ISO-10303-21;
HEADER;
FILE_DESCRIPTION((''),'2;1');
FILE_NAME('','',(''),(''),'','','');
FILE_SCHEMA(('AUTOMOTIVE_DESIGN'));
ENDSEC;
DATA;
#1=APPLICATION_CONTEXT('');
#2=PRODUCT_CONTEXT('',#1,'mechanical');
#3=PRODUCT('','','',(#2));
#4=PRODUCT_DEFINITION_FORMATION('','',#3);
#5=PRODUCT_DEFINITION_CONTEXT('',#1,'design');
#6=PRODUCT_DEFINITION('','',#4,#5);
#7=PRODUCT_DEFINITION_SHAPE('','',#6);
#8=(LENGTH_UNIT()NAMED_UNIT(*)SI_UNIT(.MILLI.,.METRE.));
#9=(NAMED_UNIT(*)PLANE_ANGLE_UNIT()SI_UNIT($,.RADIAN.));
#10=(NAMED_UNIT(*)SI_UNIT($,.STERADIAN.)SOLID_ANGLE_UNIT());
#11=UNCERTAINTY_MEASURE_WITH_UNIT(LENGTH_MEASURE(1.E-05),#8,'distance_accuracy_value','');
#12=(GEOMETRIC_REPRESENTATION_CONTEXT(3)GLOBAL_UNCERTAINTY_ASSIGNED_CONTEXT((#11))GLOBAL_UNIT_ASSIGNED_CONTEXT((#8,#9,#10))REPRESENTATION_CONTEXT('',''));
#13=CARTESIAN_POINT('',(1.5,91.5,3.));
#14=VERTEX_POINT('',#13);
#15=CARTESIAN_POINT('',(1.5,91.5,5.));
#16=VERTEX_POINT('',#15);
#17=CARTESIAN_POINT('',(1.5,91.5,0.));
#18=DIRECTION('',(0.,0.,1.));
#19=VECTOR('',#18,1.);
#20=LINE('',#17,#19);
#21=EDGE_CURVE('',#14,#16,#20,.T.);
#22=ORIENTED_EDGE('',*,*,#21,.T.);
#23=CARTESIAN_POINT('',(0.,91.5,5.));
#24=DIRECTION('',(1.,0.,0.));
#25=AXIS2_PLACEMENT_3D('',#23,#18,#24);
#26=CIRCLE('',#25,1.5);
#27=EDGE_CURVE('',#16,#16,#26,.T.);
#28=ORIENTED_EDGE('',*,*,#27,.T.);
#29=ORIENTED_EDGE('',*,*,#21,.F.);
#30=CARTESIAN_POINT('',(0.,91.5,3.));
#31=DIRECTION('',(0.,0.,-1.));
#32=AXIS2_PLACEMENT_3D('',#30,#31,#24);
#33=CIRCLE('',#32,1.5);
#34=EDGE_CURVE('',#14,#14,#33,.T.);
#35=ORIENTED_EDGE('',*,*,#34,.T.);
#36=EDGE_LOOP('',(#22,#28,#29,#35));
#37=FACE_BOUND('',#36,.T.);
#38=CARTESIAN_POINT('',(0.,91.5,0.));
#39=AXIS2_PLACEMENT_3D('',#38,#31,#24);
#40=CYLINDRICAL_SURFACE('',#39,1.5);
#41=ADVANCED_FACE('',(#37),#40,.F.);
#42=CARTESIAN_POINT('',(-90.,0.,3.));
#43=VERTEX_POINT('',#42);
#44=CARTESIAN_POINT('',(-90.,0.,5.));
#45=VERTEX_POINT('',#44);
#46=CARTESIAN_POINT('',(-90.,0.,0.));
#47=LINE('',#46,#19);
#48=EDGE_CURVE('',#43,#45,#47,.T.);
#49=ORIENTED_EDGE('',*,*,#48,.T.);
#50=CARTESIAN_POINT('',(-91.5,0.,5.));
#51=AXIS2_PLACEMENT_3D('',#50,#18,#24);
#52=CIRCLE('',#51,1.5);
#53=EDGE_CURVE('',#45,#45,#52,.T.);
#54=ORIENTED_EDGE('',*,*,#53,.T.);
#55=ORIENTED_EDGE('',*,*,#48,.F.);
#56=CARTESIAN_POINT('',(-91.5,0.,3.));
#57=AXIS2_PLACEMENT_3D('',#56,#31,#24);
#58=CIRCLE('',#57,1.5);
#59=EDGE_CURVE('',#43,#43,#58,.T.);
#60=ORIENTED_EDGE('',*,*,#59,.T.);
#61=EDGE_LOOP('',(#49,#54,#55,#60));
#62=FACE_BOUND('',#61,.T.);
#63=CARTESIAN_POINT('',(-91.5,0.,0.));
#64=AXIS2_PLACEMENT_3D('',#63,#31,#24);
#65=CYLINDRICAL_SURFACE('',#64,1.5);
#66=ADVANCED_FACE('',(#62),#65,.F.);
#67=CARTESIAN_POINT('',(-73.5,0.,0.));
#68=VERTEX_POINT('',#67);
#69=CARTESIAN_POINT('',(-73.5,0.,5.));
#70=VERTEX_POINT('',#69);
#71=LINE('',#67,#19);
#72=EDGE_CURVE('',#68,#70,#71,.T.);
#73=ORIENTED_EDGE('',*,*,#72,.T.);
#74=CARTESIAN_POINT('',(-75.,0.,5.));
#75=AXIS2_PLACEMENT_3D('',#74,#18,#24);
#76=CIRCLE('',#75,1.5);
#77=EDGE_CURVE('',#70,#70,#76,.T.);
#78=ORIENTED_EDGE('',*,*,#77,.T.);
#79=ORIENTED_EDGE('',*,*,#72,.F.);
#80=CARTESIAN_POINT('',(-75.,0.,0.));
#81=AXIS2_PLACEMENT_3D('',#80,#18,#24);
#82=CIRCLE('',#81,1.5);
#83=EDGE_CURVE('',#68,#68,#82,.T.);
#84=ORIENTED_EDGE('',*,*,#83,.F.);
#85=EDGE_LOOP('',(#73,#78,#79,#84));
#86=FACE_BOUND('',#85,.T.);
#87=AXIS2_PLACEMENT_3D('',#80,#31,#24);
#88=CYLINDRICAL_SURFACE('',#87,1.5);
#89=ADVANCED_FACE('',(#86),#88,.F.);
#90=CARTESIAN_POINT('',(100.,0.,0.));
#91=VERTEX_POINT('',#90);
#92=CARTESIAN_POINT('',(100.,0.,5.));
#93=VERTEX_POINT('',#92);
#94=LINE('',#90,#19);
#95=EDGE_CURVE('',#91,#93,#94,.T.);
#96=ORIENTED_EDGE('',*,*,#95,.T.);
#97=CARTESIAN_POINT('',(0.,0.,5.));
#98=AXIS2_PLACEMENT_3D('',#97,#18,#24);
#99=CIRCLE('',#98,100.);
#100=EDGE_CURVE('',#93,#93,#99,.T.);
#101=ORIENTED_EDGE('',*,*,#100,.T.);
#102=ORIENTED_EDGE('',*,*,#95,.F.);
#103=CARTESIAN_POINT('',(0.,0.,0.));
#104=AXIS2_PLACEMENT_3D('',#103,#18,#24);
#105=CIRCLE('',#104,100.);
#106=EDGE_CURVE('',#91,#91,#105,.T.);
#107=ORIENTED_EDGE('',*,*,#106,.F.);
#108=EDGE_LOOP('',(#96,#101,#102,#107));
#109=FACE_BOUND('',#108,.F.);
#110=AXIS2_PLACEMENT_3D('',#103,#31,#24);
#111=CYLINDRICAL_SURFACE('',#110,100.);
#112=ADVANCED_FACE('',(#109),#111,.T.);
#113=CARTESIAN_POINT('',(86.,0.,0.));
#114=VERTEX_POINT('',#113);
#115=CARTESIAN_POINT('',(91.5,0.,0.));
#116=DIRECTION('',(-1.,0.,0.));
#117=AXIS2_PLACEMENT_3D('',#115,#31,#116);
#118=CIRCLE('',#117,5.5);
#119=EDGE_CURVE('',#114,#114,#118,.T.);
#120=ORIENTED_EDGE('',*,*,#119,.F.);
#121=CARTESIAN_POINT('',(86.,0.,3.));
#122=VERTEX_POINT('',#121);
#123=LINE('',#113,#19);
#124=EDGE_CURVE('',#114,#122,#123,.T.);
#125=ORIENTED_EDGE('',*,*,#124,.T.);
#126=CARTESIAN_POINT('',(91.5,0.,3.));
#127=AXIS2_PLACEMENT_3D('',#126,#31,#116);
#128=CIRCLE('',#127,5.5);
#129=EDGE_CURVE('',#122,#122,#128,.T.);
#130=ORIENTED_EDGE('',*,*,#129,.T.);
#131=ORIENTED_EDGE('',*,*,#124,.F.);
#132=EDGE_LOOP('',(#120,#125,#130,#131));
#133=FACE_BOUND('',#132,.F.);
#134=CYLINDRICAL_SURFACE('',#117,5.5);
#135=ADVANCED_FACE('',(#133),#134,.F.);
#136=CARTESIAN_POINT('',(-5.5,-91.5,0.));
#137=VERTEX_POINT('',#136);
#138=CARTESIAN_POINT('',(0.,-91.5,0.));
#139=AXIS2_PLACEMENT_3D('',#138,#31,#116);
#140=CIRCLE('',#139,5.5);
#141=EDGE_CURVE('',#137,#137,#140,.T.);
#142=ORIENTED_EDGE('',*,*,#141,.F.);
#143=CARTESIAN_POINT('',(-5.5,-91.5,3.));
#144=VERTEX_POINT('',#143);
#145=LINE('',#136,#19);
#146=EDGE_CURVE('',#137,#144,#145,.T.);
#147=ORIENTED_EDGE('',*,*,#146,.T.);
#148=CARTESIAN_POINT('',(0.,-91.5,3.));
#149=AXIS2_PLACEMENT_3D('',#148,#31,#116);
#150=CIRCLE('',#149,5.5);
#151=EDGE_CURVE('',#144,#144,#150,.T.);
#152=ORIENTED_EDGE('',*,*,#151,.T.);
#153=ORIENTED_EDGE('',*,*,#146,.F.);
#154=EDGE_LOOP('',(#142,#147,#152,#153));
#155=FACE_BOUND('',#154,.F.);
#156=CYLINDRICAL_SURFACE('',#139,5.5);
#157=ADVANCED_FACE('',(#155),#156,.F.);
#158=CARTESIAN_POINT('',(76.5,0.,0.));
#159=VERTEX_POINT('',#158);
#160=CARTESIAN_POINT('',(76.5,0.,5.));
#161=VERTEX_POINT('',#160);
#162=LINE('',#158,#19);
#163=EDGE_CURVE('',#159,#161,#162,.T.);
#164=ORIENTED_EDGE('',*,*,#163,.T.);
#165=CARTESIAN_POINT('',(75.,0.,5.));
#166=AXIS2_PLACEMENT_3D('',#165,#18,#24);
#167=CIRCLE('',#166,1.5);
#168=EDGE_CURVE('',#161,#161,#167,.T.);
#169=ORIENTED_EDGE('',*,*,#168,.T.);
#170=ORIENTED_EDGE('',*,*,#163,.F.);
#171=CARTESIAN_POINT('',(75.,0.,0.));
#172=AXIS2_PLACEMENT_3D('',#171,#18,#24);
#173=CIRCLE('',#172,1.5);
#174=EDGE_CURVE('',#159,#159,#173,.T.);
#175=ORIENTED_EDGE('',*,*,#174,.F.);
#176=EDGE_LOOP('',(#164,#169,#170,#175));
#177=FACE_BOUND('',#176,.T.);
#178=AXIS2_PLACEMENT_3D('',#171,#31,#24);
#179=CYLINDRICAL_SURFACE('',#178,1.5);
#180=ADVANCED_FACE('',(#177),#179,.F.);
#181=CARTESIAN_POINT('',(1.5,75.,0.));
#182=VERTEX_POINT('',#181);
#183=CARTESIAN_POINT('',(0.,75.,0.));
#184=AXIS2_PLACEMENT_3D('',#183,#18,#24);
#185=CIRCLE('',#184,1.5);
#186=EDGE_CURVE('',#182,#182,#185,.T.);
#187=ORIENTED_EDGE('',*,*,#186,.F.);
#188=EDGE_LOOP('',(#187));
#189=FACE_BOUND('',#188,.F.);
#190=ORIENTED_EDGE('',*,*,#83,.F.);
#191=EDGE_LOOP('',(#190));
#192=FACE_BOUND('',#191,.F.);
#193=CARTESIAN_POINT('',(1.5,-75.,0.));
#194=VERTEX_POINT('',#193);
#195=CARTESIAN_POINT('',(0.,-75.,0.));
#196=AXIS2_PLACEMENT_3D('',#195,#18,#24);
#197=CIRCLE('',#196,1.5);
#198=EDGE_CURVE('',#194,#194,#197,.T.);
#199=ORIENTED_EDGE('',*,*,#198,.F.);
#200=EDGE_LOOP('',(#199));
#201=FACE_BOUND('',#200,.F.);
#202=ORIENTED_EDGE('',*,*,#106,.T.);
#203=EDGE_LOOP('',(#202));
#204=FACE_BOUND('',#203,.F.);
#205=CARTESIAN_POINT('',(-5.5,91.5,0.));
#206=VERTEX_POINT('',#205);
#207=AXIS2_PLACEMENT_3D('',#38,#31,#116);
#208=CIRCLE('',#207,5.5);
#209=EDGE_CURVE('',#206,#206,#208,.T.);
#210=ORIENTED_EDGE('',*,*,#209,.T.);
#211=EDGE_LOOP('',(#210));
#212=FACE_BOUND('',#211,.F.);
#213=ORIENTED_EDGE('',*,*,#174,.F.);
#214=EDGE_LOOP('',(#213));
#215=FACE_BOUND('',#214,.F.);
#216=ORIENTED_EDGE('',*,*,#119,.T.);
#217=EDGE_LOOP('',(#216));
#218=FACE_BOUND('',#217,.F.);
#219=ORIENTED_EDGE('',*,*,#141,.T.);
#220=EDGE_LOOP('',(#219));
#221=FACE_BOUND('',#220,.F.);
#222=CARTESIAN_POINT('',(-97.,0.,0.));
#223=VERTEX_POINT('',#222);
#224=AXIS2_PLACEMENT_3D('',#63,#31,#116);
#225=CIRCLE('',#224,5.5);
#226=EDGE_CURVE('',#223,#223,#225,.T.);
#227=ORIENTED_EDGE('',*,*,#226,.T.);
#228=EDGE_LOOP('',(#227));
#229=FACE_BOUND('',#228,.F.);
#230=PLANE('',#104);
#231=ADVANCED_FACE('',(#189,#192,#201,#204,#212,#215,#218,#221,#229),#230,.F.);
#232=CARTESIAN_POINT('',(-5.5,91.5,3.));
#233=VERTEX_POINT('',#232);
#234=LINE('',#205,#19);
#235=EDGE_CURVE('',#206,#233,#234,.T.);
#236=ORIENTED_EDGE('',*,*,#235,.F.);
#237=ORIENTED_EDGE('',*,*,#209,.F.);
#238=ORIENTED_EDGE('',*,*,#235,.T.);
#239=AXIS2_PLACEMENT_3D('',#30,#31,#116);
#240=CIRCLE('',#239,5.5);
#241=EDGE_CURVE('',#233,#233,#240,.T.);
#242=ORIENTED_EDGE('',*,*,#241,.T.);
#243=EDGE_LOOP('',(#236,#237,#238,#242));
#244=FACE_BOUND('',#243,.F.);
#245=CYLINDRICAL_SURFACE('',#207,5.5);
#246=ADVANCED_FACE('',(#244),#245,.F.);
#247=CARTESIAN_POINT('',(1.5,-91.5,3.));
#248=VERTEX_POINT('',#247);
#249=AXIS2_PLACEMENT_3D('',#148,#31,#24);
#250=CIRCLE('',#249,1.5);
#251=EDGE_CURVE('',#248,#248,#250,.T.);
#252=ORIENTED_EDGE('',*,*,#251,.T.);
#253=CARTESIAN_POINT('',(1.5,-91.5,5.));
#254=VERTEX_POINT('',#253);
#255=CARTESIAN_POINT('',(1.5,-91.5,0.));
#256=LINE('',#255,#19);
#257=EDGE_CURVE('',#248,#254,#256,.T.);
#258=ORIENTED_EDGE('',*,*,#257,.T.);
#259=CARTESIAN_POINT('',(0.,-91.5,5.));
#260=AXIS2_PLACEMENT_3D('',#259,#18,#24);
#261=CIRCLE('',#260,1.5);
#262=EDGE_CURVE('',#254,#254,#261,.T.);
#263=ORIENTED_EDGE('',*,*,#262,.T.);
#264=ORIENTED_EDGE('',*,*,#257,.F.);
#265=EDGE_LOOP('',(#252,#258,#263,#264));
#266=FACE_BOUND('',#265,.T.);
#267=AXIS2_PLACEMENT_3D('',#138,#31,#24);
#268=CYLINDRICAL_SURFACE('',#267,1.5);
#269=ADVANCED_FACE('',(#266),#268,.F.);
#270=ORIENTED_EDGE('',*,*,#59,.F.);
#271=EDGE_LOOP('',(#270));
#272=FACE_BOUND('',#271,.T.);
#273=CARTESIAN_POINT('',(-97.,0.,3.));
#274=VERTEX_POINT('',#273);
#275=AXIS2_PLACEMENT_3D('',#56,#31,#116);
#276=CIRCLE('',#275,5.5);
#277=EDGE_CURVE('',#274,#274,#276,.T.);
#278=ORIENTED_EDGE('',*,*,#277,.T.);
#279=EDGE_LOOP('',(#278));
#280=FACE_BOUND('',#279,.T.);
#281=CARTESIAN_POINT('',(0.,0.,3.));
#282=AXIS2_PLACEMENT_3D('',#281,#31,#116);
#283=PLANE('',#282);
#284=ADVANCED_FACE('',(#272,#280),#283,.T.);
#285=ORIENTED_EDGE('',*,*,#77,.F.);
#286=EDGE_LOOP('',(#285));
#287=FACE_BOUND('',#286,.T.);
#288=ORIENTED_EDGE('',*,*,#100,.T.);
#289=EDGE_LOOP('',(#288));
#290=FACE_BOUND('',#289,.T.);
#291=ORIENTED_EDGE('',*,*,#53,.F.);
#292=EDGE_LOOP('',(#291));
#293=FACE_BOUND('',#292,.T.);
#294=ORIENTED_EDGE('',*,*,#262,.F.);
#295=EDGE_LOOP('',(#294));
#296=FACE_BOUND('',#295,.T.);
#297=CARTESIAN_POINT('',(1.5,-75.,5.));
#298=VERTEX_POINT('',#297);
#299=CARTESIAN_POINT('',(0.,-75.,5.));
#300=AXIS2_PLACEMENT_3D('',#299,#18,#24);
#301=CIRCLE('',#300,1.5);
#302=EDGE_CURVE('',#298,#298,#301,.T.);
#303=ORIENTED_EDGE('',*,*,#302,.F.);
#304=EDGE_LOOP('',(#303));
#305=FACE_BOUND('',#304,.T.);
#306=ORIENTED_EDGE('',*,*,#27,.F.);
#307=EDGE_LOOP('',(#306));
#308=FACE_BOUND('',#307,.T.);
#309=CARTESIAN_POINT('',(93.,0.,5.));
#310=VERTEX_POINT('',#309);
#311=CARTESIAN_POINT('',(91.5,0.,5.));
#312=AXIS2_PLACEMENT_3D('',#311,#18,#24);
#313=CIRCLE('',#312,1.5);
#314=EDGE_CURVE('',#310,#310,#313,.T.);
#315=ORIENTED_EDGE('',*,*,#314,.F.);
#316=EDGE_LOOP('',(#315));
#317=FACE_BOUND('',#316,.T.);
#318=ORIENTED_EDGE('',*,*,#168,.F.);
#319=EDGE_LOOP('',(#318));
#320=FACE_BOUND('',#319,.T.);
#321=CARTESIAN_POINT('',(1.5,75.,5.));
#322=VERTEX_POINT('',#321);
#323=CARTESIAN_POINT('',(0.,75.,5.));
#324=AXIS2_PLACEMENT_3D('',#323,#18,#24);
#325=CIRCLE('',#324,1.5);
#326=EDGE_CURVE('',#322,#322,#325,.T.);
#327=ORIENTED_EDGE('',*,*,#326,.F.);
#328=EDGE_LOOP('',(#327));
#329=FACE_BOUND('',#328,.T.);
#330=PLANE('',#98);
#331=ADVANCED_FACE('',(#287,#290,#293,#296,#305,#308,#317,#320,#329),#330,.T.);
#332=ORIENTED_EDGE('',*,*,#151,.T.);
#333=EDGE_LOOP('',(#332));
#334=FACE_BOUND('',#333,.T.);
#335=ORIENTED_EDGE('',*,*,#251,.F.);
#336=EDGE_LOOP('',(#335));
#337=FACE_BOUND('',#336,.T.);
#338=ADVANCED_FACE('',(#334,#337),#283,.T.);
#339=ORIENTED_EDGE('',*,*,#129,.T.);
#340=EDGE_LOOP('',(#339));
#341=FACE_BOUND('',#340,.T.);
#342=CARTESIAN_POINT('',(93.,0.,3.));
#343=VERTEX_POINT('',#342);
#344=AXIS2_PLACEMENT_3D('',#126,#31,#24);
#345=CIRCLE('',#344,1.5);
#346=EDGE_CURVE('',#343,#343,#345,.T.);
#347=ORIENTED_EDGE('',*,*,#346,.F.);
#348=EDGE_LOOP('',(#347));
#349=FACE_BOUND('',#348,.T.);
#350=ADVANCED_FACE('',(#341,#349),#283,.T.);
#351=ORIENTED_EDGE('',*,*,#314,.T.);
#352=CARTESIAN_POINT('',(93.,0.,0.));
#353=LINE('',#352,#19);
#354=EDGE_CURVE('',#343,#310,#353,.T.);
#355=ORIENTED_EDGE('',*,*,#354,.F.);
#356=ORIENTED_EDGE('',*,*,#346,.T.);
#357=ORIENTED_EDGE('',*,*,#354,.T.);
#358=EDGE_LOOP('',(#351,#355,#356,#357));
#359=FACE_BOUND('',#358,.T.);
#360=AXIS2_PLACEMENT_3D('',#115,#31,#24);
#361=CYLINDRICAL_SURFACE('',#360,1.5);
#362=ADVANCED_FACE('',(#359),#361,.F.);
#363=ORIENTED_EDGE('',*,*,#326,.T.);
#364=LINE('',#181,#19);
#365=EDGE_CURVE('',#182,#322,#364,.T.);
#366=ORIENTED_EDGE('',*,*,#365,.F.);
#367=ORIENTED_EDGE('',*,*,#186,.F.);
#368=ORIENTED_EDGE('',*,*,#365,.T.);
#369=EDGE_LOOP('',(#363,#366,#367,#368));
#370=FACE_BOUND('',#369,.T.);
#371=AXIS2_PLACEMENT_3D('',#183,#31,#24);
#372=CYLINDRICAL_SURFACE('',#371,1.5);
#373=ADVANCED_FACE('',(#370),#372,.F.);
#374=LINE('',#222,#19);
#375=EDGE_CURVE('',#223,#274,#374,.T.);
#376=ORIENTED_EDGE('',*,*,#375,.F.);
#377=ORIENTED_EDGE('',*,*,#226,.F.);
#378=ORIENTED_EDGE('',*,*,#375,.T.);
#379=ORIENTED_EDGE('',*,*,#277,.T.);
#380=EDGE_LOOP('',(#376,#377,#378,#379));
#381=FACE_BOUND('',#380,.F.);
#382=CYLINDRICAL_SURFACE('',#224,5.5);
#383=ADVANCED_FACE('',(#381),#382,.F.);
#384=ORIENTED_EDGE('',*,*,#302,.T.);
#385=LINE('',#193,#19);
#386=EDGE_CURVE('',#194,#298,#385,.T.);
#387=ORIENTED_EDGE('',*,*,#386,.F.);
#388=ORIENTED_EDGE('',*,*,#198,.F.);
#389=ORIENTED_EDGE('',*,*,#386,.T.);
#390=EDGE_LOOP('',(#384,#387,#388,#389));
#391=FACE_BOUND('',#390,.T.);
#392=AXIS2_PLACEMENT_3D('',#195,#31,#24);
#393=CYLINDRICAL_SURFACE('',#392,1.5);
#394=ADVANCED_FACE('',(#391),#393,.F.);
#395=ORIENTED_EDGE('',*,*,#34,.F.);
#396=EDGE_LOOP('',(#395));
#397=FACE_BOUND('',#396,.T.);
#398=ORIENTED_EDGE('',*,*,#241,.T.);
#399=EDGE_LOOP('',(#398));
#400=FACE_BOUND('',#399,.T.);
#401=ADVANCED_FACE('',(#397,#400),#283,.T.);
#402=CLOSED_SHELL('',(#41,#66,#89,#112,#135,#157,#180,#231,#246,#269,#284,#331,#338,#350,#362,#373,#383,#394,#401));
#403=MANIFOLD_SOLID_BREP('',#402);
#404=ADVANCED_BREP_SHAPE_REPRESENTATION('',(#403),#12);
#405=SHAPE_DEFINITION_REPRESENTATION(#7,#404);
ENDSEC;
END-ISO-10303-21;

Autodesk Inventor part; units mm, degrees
ref_plane "YZ Plane" through (0, 0, 0) normal (1, 0, 0) x (0, 1, 0)
ref_plane "XZ Plane" through (0, 0, 0) normal (0, 1, 0) x (-1, 0, 0)
ref_plane "XY Plane" through (0, 0, 0) normal (0, 0, 1) x (1, 0, 0)
sketch "Sketch1" plane through (0, 0, 0) normal (0, 0, 1) x (1, 0, 0)
  circle A0 centre (0, 0) radius 100
  circle A1 centre (0, 75) radius 1.5
  circle A2 centre (-75, 0) radius 1.5
  circle A3 centre (0, -75) radius 1.5
  circle A4 centre (75, 0) radius 1.5
  circle A5 centre (0, 91.5) radius 1.5
  circle A6 centre (91.5, 0) radius 1.5
  circle A7 centre (0, -91.5) radius 1.5
  circle A8 centre (-91.5, 0) radius 1.5
  dimension "d0" = 200
  dimension "d2" = 3
  dimension "d5" = 360
  dimension "d10" = 3
  dimension "d11" = 3
  dimension "d12" = 3
  dimension "d13" = 3
extrude "Extrusion1" add sketch "Sketch1" along normal blind 5
sketch "Sketch2" plane through (0, 0, 0) normal (0, 0, -1) x (-1, 0, 0)
  circle A0 centre (91.5, 0) radius 1.5 projected
  circle A1 centre (91.5, 0) radius 5.5
  circle A2 centre (0, -91.5) radius 1.5 projected
  circle A3 centre (0, -91.5) radius 5.5
  circle A4 centre (0, 91.5) radius 1.5 projected
  circle A5 centre (0, 91.5) radius 5.5
  circle A6 centre (-91.5, 0) radius 1.5 projected
  circle A7 centre (-91.5, 0) radius 5.5
  point P0 (0, 0)
  dimension "d15" = 11
  dimension "d16" = 11
  dimension "d17" = 11
  dimension "d18" = 11
extrude "Extrusion2" cut sketch "Sketch2" against normal blind 3 contours A0 | A1 | A2 | A3 | A4 | A5 | A6 | A7
properties part number "Components Base"
